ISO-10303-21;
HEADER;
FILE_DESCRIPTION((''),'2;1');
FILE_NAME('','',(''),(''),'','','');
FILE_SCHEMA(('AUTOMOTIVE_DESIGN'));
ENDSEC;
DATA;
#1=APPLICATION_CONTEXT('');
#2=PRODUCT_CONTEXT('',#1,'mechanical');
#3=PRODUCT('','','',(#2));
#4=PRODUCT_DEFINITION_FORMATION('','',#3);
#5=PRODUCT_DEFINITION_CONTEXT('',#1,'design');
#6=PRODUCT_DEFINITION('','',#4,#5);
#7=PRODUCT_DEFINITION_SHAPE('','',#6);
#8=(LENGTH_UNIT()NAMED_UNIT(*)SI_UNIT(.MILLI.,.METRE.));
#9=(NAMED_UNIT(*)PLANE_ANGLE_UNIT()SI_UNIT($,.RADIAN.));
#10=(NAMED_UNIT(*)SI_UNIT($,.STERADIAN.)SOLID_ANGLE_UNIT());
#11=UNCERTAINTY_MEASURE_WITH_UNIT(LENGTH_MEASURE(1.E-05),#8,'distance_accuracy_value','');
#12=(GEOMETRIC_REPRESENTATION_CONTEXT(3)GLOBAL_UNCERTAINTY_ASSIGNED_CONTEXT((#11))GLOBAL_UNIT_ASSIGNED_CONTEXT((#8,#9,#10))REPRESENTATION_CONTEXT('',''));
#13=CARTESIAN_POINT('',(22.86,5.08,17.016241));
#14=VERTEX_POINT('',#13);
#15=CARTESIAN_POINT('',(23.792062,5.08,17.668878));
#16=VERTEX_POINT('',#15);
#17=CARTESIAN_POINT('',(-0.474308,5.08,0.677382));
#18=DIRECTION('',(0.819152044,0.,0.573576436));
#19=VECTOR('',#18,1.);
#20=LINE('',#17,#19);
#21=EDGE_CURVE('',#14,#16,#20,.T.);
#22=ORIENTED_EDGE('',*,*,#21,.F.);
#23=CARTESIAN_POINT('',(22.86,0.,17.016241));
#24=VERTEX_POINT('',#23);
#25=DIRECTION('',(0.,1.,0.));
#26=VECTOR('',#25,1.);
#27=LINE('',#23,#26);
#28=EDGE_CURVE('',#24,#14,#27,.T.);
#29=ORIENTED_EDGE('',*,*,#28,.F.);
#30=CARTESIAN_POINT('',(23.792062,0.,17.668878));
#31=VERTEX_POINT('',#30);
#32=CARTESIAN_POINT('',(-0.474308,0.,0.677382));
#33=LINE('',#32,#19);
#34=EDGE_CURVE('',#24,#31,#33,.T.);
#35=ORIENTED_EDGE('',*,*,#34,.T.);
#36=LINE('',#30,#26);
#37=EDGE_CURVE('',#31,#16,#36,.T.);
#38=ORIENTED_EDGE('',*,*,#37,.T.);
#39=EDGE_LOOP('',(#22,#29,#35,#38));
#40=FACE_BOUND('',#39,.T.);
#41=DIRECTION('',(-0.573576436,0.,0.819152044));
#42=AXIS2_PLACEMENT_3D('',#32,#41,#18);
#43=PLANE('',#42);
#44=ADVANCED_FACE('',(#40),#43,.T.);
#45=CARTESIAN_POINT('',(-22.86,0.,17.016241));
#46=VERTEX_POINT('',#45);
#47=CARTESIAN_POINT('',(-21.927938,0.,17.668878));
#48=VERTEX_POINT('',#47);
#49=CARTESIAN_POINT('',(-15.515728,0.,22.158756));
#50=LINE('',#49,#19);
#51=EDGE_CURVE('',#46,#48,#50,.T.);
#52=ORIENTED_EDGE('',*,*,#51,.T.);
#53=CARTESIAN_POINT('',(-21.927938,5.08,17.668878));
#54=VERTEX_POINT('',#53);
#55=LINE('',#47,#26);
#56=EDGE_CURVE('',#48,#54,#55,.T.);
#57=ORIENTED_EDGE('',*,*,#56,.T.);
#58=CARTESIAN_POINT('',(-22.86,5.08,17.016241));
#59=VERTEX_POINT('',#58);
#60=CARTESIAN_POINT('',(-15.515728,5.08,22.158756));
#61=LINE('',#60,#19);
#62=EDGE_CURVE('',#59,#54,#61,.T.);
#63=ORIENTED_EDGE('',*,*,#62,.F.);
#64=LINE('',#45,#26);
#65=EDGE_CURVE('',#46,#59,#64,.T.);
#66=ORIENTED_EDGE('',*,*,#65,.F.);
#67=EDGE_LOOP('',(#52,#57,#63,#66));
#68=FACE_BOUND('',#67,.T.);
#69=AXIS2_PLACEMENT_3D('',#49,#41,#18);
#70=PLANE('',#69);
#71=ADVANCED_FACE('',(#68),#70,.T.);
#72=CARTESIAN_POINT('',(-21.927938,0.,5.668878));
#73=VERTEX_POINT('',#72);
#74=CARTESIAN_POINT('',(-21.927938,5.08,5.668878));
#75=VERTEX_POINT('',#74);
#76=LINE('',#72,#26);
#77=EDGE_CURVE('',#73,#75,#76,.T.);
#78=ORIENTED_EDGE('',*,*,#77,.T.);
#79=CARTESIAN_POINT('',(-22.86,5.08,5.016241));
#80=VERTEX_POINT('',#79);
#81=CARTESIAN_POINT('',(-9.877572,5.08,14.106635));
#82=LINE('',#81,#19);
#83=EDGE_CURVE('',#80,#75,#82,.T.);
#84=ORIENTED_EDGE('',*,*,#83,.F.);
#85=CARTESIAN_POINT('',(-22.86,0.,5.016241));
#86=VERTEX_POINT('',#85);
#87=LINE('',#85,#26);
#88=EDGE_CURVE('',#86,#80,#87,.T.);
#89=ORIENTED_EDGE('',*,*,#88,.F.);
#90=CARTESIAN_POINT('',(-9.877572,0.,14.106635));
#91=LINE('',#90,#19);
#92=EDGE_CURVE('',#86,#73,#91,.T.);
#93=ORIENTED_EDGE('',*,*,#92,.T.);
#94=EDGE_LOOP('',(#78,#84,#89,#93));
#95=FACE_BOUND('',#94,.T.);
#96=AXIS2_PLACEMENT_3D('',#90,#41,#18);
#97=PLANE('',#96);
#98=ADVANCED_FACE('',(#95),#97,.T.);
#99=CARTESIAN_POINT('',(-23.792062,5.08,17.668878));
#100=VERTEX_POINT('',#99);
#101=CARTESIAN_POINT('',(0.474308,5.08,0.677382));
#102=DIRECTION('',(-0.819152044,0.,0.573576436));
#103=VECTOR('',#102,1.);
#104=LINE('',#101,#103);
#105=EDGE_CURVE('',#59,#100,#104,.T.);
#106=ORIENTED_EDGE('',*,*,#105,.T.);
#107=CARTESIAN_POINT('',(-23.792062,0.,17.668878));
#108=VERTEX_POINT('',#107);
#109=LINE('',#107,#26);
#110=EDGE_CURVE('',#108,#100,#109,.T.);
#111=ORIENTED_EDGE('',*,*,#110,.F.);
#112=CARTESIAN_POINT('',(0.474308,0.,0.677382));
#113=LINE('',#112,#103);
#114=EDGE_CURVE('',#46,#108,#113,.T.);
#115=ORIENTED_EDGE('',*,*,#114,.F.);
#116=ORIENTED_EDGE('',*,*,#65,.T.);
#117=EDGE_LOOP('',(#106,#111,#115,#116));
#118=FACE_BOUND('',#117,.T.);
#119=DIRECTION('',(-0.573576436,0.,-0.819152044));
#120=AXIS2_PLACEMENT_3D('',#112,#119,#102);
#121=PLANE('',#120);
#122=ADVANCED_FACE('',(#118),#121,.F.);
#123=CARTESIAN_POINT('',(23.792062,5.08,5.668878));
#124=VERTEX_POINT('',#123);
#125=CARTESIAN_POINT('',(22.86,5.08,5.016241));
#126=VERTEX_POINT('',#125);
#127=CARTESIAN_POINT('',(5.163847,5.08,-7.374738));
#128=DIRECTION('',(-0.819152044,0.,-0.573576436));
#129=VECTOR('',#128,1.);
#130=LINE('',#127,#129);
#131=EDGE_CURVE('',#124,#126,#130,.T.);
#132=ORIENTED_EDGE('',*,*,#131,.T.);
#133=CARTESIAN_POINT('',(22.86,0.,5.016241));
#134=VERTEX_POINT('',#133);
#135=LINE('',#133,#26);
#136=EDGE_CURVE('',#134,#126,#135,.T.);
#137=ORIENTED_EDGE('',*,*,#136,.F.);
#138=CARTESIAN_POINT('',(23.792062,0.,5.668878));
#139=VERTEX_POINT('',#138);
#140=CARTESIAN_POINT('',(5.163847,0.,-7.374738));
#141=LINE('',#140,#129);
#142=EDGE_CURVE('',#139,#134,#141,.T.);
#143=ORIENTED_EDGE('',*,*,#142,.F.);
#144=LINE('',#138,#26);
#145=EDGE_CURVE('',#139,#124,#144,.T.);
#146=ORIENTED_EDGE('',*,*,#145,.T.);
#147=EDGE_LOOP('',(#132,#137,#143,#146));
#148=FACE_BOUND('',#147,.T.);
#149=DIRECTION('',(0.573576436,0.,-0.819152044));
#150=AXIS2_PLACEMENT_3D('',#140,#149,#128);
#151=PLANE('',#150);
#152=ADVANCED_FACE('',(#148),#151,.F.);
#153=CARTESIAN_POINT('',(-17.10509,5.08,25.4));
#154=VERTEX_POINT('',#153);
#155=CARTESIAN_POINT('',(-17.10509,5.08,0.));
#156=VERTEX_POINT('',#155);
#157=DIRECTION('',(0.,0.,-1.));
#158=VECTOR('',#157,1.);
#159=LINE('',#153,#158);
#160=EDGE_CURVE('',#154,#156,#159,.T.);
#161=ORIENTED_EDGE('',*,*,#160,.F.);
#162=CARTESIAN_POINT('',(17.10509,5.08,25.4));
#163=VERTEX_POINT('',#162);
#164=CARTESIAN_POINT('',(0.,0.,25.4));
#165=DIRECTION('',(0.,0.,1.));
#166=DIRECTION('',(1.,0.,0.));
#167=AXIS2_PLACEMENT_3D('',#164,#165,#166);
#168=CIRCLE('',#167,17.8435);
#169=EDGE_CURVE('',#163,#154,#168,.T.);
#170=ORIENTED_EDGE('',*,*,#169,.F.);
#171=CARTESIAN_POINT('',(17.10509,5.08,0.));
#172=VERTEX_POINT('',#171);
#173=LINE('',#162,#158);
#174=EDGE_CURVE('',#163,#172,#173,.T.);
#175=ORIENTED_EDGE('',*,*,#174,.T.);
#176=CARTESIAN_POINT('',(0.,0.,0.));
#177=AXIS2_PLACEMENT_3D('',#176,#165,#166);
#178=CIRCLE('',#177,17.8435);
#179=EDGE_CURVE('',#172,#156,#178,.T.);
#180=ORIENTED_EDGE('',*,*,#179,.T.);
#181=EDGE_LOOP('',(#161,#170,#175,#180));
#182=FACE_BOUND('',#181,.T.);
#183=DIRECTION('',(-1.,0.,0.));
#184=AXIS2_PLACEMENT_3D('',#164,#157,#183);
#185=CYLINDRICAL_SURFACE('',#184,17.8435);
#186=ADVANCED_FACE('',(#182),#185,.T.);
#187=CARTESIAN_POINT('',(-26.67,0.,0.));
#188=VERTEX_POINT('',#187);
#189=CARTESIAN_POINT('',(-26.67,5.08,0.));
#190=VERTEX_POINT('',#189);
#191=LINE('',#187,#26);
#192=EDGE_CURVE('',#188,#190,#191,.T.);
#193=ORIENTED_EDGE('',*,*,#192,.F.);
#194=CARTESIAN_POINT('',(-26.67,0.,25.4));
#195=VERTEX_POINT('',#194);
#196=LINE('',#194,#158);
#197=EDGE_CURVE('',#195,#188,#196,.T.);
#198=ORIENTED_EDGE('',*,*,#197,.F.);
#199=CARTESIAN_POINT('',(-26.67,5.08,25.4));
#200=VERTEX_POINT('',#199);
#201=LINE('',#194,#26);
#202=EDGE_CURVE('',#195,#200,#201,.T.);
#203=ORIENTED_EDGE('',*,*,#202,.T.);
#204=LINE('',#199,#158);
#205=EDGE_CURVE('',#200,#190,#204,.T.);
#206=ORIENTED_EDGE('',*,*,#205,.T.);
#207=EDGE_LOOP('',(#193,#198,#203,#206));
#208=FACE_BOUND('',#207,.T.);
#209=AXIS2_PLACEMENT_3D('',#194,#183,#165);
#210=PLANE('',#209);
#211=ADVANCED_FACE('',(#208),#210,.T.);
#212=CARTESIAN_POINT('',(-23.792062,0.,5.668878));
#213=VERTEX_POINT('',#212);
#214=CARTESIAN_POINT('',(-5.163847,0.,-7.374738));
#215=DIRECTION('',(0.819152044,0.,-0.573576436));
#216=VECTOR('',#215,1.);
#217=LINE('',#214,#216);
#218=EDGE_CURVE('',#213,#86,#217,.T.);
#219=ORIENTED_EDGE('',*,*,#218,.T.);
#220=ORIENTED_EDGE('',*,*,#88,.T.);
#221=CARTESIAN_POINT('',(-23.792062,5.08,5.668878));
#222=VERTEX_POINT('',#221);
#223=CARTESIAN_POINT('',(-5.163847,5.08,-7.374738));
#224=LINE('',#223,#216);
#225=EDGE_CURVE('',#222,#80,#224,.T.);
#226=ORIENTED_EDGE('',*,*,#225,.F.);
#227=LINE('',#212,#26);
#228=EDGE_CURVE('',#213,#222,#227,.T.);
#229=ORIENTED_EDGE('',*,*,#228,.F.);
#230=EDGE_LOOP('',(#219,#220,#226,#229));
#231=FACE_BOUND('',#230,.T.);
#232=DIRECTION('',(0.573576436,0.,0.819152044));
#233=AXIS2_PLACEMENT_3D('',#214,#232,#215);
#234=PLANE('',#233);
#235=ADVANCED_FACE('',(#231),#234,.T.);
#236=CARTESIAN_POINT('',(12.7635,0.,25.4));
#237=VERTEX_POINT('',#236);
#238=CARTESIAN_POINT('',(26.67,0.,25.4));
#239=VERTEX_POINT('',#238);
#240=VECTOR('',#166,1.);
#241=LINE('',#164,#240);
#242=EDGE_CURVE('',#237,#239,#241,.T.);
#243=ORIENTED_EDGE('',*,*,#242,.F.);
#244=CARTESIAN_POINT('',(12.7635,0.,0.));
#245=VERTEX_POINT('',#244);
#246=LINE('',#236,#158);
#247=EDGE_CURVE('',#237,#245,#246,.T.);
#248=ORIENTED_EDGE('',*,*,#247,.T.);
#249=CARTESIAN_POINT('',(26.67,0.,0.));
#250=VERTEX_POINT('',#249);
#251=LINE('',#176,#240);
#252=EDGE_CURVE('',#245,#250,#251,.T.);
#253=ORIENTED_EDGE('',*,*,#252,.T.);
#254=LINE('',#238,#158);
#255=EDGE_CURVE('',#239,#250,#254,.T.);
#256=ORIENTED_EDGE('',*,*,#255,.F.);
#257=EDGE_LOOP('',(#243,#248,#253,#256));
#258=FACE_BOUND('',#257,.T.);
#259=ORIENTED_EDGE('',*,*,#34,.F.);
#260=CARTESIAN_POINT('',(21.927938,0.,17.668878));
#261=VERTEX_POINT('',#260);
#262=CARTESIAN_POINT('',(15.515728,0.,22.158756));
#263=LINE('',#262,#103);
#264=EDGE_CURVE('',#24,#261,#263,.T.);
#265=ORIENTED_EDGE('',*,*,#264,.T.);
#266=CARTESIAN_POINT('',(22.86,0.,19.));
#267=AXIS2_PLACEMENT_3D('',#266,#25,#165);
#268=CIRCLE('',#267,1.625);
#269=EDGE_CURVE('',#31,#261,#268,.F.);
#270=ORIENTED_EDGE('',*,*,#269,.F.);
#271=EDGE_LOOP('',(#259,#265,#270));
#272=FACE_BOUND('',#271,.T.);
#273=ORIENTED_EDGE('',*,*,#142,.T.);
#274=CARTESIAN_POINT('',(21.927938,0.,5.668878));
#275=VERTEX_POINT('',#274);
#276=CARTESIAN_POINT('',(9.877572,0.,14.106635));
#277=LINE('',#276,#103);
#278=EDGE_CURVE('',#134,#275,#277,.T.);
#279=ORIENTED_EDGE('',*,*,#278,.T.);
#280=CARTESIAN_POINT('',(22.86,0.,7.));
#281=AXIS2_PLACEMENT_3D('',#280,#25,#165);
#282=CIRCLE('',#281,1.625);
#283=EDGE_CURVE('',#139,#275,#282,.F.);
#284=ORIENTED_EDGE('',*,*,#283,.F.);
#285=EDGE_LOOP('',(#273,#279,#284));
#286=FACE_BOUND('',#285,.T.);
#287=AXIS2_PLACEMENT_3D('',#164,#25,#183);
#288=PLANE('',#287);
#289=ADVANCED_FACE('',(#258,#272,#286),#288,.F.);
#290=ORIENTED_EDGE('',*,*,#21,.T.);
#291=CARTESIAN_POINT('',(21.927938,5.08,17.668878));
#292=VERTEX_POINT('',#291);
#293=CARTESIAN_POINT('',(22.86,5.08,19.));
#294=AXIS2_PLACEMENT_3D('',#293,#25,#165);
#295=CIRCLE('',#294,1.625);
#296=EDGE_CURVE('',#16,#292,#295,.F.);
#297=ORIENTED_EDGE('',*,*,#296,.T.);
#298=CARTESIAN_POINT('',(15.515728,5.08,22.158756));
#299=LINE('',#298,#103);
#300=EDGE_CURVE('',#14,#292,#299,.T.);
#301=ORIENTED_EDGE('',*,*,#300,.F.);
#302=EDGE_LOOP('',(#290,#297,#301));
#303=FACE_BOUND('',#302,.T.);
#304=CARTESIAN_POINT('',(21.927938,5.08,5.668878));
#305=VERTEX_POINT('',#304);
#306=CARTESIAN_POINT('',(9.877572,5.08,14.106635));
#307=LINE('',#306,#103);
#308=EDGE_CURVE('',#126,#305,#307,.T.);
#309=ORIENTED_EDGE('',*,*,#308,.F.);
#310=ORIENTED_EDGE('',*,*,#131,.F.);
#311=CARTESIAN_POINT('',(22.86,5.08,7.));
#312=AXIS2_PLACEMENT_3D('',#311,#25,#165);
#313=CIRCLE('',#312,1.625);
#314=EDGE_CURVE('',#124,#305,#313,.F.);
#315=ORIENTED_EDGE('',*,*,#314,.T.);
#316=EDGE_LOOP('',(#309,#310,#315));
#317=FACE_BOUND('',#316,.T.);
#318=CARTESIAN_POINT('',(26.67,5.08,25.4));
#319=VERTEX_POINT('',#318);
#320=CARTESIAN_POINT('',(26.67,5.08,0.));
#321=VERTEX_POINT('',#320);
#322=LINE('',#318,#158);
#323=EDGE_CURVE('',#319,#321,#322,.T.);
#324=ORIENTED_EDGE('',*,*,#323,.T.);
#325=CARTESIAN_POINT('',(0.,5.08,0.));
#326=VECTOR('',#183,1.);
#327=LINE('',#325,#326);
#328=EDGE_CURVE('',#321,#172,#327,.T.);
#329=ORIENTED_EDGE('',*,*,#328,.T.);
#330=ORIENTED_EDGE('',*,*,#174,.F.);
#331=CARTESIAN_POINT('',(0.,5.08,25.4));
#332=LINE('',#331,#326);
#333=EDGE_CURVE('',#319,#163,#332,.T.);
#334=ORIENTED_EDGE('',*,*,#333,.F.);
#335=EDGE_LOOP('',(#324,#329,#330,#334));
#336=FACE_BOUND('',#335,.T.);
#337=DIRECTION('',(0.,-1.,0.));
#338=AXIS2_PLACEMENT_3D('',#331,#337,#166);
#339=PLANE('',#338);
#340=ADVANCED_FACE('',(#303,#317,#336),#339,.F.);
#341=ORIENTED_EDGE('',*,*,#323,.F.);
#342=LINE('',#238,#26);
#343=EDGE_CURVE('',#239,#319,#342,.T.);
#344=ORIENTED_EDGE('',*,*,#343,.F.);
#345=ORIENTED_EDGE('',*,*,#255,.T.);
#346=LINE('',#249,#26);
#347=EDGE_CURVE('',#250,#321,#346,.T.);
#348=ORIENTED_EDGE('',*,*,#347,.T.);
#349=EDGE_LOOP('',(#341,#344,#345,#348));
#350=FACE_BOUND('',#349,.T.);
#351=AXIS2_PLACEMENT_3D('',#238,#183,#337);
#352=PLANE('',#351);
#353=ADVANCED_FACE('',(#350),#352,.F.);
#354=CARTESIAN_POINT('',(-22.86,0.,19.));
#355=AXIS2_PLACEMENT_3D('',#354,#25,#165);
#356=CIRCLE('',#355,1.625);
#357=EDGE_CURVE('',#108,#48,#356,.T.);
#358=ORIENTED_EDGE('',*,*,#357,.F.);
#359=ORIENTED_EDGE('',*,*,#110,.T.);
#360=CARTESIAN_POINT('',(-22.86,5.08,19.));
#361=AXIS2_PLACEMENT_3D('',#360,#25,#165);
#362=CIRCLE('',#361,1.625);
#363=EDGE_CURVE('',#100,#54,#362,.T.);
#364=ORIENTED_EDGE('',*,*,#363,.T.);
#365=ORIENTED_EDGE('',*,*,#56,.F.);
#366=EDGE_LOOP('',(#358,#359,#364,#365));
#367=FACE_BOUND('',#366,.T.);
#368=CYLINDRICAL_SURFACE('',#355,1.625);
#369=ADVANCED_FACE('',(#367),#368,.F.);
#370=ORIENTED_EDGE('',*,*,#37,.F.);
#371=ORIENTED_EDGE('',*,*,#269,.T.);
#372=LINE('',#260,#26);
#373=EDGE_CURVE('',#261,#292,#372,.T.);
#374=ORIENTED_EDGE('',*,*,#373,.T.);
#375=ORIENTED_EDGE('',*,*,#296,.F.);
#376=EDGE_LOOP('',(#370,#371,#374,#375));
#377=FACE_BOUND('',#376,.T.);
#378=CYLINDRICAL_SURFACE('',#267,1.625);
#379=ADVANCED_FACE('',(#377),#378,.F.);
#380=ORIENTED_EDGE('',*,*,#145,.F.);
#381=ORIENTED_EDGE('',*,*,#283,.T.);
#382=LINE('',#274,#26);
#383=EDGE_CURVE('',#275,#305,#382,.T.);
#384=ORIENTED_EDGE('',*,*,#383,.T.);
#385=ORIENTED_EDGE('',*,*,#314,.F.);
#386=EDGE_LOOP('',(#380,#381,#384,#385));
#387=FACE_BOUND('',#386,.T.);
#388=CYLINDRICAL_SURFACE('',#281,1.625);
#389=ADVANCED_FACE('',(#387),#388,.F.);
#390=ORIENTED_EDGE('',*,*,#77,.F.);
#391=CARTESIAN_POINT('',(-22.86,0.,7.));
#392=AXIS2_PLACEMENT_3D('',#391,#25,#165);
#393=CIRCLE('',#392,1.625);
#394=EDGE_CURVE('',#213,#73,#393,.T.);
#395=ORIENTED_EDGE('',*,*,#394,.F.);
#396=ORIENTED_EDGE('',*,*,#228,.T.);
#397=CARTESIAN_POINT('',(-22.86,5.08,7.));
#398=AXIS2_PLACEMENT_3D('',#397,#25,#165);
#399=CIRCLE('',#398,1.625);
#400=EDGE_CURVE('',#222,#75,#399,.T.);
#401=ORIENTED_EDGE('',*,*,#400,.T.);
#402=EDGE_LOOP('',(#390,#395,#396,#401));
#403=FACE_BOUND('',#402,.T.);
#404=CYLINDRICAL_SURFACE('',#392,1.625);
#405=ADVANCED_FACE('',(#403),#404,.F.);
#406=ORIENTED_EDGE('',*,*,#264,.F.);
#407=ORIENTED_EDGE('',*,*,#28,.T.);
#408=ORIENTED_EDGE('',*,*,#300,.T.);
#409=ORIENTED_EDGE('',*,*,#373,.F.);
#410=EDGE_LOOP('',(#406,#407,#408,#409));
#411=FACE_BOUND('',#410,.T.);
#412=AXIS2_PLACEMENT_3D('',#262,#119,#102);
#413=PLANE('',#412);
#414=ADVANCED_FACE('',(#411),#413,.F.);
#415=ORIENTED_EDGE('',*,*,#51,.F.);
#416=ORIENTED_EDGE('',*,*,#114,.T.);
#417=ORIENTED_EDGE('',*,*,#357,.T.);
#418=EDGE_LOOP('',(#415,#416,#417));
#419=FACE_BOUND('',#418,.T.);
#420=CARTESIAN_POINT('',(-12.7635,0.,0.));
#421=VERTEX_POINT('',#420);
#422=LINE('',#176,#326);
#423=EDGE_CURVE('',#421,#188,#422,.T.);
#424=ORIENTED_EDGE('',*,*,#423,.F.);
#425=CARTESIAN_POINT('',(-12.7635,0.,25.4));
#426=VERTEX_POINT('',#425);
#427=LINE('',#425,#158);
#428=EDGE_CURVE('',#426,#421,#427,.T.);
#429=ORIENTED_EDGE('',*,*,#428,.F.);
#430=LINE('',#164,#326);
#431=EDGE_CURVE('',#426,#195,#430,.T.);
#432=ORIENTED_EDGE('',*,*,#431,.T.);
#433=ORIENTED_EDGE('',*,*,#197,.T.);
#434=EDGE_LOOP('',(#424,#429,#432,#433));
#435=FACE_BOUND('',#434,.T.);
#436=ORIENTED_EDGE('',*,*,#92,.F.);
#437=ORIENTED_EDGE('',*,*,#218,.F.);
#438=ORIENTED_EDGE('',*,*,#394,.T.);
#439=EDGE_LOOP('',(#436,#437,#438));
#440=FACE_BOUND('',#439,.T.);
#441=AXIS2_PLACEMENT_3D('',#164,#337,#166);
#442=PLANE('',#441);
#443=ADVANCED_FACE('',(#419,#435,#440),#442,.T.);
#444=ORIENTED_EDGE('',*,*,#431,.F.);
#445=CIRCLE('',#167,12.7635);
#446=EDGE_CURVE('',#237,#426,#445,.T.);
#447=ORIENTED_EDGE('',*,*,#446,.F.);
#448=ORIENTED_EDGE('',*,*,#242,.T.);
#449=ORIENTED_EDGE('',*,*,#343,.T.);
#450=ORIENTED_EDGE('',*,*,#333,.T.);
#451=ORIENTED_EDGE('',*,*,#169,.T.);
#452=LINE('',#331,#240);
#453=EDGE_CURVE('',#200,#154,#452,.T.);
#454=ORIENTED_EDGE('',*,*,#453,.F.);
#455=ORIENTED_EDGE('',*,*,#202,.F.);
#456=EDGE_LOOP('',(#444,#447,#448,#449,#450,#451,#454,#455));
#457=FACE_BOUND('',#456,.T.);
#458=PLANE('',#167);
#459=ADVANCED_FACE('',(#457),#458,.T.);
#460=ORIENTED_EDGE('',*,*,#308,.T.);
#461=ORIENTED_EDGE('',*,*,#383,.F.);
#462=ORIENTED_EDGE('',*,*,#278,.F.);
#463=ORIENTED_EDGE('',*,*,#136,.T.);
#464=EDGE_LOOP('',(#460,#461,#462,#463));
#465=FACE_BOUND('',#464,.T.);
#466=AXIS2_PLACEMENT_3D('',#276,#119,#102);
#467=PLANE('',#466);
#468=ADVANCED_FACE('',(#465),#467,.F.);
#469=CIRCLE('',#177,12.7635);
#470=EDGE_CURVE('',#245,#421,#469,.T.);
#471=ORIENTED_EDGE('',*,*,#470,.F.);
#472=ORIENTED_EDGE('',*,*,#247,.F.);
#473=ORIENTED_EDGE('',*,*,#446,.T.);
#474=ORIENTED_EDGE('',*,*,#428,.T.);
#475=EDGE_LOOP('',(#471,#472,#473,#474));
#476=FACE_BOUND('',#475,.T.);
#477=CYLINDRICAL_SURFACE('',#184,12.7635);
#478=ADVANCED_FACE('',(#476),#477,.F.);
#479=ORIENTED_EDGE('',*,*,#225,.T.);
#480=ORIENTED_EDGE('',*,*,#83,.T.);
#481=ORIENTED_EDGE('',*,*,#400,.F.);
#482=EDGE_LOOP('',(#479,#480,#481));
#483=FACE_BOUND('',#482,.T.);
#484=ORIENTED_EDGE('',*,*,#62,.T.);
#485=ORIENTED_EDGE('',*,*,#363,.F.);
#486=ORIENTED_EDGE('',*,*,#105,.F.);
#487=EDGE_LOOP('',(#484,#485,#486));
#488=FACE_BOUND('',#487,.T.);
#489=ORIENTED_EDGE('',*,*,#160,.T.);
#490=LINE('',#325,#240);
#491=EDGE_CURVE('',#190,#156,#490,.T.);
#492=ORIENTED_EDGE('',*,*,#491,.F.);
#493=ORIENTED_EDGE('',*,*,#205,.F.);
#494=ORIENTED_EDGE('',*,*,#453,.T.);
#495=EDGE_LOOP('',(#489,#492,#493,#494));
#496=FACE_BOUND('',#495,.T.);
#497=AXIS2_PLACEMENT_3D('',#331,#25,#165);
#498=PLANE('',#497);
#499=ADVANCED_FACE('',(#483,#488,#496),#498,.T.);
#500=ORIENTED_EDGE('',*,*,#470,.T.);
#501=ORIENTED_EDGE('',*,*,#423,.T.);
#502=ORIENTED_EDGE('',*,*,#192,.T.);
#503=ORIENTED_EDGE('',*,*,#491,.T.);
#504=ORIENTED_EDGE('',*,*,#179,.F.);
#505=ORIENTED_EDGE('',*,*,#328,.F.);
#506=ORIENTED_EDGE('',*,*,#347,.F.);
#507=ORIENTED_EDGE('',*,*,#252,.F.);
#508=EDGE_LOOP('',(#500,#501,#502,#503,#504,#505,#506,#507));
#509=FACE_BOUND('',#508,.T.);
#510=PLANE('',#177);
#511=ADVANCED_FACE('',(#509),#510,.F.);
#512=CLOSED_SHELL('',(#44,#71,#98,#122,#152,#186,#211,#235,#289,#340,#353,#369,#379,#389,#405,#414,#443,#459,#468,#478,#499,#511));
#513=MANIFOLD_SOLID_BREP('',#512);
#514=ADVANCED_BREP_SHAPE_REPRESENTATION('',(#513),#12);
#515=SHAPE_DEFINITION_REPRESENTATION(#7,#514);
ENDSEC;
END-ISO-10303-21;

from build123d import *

# Parameters (mm, degrees)
BOSS_EXTRUDE1_DEPTH      = 25.4
SKETCH3_R                = 1.625000052
CUT_EXTRUDE1_HOLES_DEPTH = 39.978915227


with BuildPart() as part:
    # Sketch2 → Boss-Extrude1 (new body)
    with BuildSketch(Plane.XY):
        with BuildLine():
            Line((-26.67, 0), (-17.8435, 0))
            ThreePointArc((-17.8435, 0), (-17.657932489, 2.566692903), (-17.105089659, 5.08))
            Line((-17.105089659, 5.08), (-17.8435, 5.08))
            Line((-17.8435, 5.08), (-26.67, 5.08))
            Line((-26.67, 5.08), (-26.67, 0))
        make_face()
        with BuildLine():
            Line((-17.8435, 0), (-12.7635, 0))
            ThreePointArc((-12.7635, 0), (-12.497093116, 2.594146471), (-11.708993648, 5.08))
            Line((-11.708993648, 5.08), (-17.105089659, 5.08))
            ThreePointArc((-17.105089659, 5.08), (-17.657932489, 2.566692903), (-17.8435, 0))
        make_face()
        with BuildLine():
            Line((-17.105089659, 5.08), (-11.708993648, 5.08))
            ThreePointArc((-11.708993648, 5.08), (0, 12.7635), (11.708993648, 5.08))
            Line((11.708993648, 5.08), (17.105089659, 5.08))
            ThreePointArc((17.105089659, 5.08), (0, 17.8435), (-17.105089659, 5.08))
        make_face()
        with BuildLine():
            ThreePointArc((11.708993648, 5.08), (12.497093116, 2.594146471), (12.7635, 0))
            Line((12.7635, 0), (17.8435, 0))
            ThreePointArc((17.8435, 0), (17.657932489, 2.566692903), (17.105089659, 5.08))
            Line((17.105089659, 5.08), (11.708993648, 5.08))
        make_face()
        with BuildLine():
            ThreePointArc((17.105089659, 5.08), (17.657932489, 2.566692903), (17.8435, 0))
            Line((17.8435, 0), (26.67, 0))
            Line((26.67, 0), (26.67, 5.08))
            Line((26.67, 5.08), (17.8435, 5.08))
            Line((17.8435, 5.08), (17.105089659, 5.08))
        make_face()
    extrude(amount=BOSS_EXTRUDE1_DEPTH)

    # Sketch3 → Cut-Extrude1 Holes (cut, through all)
    with BuildSketch(Plane(origin=(0, 5.08, 0), x_dir=(1, 0, 0), z_dir=(0, 1, 0))):
        with Locations((-22.86, -6.99999997)):
            Circle(SKETCH3_R)
        with BuildLine():
            Line((-22.86, -5.0162412), (-23.792061739, -5.668877855))
            ThreePointArc((-23.792061739, -5.668877855), (-22.86, -5.374999918), (-21.927938261, -5.668877855))
            Line((-21.927938261, -5.668877855), (-22.86, -5.0162412))
        make_face()
        with Locations((-22.86, -18.999999846)):
            Circle(SKETCH3_R)
        with BuildLine():
            Line((-21.927938261, -17.668877731), (-22.86, -17.016241076))
            Line((-22.86, -17.016241076), (-23.792061739, -17.668877731))
            ThreePointArc((-23.792061739, -17.668877731), (-22.86, -17.374999794), (-21.927938261, -17.668877731))
        make_face()
        with Locations((22.86, -18.999999846)):
            Circle(SKETCH3_R)
        with BuildLine():
            Line((23.792061739, -17.668877731), (22.86, -17.016241076))
            Line((22.86, -17.016241076), (21.927938261, -17.668877731))
            ThreePointArc((21.927938261, -17.668877731), (22.86, -17.374999794), (23.792061739, -17.668877731))
        make_face()
        with Locations((22.86, -6.99999997)):
            Circle(SKETCH3_R)
        with BuildLine():
            Line((23.792061739, -5.668877855), (22.86, -5.0162412))
            Line((22.86, -5.0162412), (21.927938261, -5.668877855))
            ThreePointArc((21.927938261, -5.668877855), (22.86, -5.374999918), (23.792061739, -5.668877855))
        make_face()
    extrude(amount=-CUT_EXTRUDE1_HOLES_DEPTH, mode=Mode.SUBTRACT)


solid = part.part
